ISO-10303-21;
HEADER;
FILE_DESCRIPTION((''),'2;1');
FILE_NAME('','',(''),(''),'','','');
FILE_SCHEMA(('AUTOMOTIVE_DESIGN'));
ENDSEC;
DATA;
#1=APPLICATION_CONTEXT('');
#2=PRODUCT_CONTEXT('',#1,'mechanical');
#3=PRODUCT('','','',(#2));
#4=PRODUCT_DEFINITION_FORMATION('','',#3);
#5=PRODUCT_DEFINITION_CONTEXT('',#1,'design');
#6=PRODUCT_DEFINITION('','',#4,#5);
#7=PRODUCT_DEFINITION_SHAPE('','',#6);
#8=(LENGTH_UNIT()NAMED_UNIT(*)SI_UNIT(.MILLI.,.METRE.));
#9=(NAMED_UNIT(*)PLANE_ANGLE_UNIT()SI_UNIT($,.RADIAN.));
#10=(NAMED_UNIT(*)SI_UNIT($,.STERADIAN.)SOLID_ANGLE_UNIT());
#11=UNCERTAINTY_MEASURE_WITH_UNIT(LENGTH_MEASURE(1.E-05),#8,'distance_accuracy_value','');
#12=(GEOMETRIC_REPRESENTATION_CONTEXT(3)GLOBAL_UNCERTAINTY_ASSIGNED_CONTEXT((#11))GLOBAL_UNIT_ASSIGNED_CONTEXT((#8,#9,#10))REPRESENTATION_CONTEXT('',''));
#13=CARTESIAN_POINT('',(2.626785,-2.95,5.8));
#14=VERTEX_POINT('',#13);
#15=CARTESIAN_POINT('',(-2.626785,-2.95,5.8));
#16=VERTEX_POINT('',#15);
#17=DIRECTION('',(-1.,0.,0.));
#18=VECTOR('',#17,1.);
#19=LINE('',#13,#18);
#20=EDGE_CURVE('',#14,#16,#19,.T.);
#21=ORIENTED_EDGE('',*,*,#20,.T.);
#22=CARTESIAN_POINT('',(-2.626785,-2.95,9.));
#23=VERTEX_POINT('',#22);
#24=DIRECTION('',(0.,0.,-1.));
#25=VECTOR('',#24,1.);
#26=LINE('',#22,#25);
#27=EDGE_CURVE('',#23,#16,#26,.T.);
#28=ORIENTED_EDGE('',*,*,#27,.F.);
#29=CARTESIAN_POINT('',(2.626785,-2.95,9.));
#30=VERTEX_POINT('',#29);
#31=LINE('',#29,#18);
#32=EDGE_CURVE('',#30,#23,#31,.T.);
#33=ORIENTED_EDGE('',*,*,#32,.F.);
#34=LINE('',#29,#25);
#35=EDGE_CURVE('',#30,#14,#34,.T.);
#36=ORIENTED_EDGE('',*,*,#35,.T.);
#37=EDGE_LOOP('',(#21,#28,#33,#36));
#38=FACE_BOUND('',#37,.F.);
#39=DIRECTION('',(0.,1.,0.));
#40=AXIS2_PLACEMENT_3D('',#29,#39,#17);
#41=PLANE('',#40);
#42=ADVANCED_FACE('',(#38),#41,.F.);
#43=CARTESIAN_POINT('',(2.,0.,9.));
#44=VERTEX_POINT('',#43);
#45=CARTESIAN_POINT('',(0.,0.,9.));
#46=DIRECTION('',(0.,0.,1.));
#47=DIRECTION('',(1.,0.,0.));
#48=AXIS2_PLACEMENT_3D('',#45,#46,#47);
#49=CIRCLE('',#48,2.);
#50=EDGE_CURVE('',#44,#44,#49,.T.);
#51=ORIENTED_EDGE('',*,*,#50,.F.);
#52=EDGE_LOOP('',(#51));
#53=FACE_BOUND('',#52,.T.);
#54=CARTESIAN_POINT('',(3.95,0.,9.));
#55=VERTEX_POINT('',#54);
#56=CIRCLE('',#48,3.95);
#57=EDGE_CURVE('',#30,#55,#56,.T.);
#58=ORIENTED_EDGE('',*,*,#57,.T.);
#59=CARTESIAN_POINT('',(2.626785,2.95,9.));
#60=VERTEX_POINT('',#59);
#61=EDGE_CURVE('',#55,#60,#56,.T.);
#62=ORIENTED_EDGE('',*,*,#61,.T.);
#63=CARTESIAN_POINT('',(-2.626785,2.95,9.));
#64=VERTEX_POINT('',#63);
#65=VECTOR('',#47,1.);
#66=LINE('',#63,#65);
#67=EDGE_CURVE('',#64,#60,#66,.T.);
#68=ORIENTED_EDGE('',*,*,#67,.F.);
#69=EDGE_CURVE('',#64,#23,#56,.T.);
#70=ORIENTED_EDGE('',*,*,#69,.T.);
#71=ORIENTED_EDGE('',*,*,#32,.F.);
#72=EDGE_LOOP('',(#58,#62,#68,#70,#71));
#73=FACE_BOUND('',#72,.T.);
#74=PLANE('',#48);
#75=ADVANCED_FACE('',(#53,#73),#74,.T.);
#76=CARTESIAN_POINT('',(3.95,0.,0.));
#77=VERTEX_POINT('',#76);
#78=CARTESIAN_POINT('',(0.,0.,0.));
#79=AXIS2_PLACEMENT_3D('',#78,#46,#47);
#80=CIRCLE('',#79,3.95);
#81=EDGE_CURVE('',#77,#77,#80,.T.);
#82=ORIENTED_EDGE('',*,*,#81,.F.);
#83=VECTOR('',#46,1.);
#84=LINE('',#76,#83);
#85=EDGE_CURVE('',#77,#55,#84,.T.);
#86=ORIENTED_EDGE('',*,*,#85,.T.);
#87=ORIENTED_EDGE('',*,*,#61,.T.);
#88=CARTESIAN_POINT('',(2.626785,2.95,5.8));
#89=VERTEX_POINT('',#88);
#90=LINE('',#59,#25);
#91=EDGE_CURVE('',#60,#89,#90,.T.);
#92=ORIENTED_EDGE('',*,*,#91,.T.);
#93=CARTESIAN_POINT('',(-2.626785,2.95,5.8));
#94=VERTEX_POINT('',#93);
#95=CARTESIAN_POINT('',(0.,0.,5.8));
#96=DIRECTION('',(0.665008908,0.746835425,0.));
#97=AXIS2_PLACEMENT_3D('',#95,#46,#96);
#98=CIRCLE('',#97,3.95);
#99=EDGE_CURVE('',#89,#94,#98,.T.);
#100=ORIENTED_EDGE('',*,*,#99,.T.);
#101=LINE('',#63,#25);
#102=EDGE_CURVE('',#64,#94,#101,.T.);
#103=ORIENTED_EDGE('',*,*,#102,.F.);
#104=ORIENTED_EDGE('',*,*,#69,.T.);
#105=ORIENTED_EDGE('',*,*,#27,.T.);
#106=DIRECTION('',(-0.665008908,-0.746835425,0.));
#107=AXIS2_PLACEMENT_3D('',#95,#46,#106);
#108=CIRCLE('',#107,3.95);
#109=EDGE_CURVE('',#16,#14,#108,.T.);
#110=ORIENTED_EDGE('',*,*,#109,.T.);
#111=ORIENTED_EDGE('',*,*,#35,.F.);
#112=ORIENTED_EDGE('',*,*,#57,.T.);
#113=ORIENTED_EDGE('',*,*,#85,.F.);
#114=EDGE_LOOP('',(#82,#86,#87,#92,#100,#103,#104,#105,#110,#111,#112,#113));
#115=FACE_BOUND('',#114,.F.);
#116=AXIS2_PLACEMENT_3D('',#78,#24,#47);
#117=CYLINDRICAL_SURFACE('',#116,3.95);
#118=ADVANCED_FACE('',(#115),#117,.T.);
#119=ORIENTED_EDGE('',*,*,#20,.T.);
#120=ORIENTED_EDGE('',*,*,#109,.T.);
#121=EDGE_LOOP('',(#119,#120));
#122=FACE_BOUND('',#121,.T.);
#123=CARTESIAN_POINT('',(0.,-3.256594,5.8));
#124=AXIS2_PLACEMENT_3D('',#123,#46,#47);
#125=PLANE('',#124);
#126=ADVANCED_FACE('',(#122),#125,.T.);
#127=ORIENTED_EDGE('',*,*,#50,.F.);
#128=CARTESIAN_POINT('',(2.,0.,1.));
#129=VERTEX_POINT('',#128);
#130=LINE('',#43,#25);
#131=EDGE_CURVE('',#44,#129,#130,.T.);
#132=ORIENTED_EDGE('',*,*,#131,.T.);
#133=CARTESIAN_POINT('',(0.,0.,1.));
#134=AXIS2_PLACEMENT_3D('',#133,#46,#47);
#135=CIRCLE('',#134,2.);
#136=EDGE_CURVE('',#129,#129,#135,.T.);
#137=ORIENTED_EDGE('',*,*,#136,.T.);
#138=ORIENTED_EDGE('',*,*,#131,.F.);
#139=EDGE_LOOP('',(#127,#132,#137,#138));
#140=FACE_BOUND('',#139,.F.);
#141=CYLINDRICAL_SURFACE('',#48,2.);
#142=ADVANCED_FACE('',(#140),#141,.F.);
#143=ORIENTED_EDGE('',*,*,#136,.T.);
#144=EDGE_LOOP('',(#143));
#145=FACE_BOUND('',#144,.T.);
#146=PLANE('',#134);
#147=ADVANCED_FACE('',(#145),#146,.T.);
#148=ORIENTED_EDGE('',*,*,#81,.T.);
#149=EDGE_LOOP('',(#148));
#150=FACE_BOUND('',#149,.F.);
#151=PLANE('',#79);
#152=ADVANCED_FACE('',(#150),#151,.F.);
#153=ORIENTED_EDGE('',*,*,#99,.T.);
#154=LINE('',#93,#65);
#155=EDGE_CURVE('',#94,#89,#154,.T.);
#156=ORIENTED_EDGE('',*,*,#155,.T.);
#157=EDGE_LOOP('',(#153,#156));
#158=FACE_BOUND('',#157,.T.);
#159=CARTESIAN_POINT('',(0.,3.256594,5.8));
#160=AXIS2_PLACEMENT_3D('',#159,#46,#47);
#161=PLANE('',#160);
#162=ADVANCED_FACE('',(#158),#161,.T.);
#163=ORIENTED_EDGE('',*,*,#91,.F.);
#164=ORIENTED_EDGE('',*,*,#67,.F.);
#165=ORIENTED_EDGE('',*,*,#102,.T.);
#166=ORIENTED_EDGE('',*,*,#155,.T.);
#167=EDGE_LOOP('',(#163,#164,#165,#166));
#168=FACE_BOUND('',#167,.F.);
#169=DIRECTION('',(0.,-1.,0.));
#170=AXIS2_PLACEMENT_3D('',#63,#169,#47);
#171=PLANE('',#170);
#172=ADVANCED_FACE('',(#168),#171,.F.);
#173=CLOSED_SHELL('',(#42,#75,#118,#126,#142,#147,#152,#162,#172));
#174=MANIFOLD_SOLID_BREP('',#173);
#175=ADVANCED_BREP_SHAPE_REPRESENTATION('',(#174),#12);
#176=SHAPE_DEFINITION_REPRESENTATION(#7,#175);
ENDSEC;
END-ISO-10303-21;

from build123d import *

# Parameters (mm, degrees)
F0_R     = 3.95
F1_DEPTH = 9
F3_DEPTH = 3.2
F4_R     = 2
F5_DEPTH = 8


with BuildPart() as f1:
    # F0 (on Top) → F1 (new body)
    with BuildSketch(Plane.XY):
        Circle(F0_R)
    extrude(amount=F1_DEPTH)

    # F2 (on face) → F3 (cut)
    with BuildSketch(Plane.XY.offset(9)):
        with BuildLine():
            Line((2.626785, -2.95), (-2.626785, -2.95))
            ThreePointArc((-2.626785, -2.95), (0, -3.95), (2.626785, -2.95))
        make_face()
        with BuildLine():
            ThreePointArc((2.626785, 2.95), (0, 3.95), (-2.626785, 2.95))
            Line((-2.626785, 2.95), (2.626785, 2.95))
        make_face()
    extrude(amount=-F3_DEPTH, mode=Mode.SUBTRACT)

    # F4 (on face) → F5 (cut)
    with BuildSketch(Plane.XY.offset(9)):
        Circle(F4_R)
    extrude(amount=-F5_DEPTH, mode=Mode.SUBTRACT)


solid = f1.part
